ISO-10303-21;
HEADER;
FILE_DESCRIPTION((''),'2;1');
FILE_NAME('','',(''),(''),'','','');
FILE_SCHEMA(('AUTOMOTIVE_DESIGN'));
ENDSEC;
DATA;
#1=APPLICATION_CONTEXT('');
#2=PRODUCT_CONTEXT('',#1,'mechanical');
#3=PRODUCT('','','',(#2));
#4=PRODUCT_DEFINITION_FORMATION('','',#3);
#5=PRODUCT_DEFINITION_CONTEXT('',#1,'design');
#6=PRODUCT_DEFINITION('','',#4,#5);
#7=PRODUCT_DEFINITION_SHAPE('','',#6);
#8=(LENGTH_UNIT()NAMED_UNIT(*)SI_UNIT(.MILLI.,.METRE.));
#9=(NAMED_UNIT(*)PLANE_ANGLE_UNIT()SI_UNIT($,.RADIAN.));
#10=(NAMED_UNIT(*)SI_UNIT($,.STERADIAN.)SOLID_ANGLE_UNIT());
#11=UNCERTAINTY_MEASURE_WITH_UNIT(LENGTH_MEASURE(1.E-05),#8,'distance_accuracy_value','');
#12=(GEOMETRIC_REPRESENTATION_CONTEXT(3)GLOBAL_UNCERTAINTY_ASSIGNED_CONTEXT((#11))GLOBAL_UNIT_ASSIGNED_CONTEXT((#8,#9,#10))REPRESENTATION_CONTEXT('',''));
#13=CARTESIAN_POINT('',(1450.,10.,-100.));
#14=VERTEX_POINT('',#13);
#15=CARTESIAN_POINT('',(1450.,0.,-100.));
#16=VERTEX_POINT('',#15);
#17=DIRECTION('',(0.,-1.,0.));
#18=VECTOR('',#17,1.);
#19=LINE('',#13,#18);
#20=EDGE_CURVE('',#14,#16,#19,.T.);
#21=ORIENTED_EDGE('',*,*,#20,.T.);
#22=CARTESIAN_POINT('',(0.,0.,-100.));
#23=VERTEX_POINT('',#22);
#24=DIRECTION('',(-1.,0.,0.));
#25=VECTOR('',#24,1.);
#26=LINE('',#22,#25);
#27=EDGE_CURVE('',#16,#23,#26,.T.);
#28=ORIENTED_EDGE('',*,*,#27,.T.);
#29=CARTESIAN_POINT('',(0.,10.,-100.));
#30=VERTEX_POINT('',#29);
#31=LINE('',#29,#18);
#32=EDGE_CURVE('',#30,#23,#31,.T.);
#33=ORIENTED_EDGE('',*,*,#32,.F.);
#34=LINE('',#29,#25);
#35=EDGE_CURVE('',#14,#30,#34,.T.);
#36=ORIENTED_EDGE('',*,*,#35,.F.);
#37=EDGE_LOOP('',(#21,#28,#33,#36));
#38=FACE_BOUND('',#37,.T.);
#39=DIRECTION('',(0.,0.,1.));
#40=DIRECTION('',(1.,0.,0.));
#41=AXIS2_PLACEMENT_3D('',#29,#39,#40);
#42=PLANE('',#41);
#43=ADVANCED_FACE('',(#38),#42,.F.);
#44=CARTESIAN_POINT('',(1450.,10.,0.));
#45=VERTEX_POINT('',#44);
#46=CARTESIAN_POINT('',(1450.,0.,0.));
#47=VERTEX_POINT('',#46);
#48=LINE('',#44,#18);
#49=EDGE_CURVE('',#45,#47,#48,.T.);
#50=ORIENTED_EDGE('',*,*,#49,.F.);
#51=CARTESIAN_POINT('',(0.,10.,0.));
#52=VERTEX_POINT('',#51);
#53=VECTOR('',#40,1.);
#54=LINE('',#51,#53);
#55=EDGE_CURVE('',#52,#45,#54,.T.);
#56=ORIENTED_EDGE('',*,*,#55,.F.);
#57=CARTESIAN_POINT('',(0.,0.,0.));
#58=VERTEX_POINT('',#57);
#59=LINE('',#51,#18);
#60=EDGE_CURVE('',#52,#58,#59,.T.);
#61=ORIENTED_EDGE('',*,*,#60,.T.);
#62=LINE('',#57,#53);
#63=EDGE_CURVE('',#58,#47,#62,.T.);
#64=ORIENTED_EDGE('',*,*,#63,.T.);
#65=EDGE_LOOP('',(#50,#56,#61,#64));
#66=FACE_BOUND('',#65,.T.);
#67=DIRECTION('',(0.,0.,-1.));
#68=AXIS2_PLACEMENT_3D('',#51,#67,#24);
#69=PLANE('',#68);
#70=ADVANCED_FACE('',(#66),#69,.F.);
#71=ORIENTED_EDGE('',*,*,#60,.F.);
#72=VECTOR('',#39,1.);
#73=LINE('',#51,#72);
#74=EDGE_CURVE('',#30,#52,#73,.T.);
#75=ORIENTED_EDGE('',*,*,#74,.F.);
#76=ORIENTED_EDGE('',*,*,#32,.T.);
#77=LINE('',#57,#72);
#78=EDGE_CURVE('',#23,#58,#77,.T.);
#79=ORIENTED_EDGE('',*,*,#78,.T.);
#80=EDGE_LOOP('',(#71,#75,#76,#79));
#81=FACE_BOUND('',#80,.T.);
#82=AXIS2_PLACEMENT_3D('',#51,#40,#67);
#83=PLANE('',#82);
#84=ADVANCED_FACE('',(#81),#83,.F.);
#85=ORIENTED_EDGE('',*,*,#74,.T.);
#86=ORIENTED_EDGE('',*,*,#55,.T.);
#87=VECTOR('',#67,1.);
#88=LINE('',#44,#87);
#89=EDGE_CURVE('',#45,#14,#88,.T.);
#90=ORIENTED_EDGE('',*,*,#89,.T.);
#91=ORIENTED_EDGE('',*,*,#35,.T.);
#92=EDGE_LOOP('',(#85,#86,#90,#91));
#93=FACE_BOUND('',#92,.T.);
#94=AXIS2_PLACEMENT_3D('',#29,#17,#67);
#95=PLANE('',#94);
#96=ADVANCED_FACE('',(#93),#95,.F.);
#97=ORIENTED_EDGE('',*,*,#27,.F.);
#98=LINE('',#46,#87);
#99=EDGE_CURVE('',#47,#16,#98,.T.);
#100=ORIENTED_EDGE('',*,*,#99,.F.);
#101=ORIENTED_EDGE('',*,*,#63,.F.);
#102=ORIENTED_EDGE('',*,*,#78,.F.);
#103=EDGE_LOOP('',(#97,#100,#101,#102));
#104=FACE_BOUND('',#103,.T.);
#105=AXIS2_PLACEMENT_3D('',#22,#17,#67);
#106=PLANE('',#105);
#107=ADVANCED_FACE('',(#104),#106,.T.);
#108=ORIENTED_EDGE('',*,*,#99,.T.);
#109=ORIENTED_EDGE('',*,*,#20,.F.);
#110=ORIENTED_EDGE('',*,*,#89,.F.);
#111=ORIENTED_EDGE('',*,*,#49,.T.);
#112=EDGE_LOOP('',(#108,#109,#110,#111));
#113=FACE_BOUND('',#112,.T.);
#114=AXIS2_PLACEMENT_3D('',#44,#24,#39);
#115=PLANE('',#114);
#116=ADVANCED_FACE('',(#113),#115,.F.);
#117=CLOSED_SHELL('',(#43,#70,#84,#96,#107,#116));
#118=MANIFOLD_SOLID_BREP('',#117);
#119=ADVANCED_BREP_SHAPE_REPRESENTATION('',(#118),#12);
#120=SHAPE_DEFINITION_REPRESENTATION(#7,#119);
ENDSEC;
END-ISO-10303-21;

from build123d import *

# Parameters (mm, degrees)
ESQUISSE1_W      = 1450
ESQUISSE1_H      = 100
EXTRUSION1_DEPTH = 10


with BuildPart() as part:
    # Esquisse1 → Extrusion1 (new body)
    with BuildSketch(Plane(origin=(0, 0, 0), x_dir=(1, 0, 0), z_dir=(0, 1, 0))):
        with Locations((725, 50)):
            Rectangle(ESQUISSE1_W, ESQUISSE1_H)
    extrude(amount=EXTRUSION1_DEPTH)


solid = part.part
